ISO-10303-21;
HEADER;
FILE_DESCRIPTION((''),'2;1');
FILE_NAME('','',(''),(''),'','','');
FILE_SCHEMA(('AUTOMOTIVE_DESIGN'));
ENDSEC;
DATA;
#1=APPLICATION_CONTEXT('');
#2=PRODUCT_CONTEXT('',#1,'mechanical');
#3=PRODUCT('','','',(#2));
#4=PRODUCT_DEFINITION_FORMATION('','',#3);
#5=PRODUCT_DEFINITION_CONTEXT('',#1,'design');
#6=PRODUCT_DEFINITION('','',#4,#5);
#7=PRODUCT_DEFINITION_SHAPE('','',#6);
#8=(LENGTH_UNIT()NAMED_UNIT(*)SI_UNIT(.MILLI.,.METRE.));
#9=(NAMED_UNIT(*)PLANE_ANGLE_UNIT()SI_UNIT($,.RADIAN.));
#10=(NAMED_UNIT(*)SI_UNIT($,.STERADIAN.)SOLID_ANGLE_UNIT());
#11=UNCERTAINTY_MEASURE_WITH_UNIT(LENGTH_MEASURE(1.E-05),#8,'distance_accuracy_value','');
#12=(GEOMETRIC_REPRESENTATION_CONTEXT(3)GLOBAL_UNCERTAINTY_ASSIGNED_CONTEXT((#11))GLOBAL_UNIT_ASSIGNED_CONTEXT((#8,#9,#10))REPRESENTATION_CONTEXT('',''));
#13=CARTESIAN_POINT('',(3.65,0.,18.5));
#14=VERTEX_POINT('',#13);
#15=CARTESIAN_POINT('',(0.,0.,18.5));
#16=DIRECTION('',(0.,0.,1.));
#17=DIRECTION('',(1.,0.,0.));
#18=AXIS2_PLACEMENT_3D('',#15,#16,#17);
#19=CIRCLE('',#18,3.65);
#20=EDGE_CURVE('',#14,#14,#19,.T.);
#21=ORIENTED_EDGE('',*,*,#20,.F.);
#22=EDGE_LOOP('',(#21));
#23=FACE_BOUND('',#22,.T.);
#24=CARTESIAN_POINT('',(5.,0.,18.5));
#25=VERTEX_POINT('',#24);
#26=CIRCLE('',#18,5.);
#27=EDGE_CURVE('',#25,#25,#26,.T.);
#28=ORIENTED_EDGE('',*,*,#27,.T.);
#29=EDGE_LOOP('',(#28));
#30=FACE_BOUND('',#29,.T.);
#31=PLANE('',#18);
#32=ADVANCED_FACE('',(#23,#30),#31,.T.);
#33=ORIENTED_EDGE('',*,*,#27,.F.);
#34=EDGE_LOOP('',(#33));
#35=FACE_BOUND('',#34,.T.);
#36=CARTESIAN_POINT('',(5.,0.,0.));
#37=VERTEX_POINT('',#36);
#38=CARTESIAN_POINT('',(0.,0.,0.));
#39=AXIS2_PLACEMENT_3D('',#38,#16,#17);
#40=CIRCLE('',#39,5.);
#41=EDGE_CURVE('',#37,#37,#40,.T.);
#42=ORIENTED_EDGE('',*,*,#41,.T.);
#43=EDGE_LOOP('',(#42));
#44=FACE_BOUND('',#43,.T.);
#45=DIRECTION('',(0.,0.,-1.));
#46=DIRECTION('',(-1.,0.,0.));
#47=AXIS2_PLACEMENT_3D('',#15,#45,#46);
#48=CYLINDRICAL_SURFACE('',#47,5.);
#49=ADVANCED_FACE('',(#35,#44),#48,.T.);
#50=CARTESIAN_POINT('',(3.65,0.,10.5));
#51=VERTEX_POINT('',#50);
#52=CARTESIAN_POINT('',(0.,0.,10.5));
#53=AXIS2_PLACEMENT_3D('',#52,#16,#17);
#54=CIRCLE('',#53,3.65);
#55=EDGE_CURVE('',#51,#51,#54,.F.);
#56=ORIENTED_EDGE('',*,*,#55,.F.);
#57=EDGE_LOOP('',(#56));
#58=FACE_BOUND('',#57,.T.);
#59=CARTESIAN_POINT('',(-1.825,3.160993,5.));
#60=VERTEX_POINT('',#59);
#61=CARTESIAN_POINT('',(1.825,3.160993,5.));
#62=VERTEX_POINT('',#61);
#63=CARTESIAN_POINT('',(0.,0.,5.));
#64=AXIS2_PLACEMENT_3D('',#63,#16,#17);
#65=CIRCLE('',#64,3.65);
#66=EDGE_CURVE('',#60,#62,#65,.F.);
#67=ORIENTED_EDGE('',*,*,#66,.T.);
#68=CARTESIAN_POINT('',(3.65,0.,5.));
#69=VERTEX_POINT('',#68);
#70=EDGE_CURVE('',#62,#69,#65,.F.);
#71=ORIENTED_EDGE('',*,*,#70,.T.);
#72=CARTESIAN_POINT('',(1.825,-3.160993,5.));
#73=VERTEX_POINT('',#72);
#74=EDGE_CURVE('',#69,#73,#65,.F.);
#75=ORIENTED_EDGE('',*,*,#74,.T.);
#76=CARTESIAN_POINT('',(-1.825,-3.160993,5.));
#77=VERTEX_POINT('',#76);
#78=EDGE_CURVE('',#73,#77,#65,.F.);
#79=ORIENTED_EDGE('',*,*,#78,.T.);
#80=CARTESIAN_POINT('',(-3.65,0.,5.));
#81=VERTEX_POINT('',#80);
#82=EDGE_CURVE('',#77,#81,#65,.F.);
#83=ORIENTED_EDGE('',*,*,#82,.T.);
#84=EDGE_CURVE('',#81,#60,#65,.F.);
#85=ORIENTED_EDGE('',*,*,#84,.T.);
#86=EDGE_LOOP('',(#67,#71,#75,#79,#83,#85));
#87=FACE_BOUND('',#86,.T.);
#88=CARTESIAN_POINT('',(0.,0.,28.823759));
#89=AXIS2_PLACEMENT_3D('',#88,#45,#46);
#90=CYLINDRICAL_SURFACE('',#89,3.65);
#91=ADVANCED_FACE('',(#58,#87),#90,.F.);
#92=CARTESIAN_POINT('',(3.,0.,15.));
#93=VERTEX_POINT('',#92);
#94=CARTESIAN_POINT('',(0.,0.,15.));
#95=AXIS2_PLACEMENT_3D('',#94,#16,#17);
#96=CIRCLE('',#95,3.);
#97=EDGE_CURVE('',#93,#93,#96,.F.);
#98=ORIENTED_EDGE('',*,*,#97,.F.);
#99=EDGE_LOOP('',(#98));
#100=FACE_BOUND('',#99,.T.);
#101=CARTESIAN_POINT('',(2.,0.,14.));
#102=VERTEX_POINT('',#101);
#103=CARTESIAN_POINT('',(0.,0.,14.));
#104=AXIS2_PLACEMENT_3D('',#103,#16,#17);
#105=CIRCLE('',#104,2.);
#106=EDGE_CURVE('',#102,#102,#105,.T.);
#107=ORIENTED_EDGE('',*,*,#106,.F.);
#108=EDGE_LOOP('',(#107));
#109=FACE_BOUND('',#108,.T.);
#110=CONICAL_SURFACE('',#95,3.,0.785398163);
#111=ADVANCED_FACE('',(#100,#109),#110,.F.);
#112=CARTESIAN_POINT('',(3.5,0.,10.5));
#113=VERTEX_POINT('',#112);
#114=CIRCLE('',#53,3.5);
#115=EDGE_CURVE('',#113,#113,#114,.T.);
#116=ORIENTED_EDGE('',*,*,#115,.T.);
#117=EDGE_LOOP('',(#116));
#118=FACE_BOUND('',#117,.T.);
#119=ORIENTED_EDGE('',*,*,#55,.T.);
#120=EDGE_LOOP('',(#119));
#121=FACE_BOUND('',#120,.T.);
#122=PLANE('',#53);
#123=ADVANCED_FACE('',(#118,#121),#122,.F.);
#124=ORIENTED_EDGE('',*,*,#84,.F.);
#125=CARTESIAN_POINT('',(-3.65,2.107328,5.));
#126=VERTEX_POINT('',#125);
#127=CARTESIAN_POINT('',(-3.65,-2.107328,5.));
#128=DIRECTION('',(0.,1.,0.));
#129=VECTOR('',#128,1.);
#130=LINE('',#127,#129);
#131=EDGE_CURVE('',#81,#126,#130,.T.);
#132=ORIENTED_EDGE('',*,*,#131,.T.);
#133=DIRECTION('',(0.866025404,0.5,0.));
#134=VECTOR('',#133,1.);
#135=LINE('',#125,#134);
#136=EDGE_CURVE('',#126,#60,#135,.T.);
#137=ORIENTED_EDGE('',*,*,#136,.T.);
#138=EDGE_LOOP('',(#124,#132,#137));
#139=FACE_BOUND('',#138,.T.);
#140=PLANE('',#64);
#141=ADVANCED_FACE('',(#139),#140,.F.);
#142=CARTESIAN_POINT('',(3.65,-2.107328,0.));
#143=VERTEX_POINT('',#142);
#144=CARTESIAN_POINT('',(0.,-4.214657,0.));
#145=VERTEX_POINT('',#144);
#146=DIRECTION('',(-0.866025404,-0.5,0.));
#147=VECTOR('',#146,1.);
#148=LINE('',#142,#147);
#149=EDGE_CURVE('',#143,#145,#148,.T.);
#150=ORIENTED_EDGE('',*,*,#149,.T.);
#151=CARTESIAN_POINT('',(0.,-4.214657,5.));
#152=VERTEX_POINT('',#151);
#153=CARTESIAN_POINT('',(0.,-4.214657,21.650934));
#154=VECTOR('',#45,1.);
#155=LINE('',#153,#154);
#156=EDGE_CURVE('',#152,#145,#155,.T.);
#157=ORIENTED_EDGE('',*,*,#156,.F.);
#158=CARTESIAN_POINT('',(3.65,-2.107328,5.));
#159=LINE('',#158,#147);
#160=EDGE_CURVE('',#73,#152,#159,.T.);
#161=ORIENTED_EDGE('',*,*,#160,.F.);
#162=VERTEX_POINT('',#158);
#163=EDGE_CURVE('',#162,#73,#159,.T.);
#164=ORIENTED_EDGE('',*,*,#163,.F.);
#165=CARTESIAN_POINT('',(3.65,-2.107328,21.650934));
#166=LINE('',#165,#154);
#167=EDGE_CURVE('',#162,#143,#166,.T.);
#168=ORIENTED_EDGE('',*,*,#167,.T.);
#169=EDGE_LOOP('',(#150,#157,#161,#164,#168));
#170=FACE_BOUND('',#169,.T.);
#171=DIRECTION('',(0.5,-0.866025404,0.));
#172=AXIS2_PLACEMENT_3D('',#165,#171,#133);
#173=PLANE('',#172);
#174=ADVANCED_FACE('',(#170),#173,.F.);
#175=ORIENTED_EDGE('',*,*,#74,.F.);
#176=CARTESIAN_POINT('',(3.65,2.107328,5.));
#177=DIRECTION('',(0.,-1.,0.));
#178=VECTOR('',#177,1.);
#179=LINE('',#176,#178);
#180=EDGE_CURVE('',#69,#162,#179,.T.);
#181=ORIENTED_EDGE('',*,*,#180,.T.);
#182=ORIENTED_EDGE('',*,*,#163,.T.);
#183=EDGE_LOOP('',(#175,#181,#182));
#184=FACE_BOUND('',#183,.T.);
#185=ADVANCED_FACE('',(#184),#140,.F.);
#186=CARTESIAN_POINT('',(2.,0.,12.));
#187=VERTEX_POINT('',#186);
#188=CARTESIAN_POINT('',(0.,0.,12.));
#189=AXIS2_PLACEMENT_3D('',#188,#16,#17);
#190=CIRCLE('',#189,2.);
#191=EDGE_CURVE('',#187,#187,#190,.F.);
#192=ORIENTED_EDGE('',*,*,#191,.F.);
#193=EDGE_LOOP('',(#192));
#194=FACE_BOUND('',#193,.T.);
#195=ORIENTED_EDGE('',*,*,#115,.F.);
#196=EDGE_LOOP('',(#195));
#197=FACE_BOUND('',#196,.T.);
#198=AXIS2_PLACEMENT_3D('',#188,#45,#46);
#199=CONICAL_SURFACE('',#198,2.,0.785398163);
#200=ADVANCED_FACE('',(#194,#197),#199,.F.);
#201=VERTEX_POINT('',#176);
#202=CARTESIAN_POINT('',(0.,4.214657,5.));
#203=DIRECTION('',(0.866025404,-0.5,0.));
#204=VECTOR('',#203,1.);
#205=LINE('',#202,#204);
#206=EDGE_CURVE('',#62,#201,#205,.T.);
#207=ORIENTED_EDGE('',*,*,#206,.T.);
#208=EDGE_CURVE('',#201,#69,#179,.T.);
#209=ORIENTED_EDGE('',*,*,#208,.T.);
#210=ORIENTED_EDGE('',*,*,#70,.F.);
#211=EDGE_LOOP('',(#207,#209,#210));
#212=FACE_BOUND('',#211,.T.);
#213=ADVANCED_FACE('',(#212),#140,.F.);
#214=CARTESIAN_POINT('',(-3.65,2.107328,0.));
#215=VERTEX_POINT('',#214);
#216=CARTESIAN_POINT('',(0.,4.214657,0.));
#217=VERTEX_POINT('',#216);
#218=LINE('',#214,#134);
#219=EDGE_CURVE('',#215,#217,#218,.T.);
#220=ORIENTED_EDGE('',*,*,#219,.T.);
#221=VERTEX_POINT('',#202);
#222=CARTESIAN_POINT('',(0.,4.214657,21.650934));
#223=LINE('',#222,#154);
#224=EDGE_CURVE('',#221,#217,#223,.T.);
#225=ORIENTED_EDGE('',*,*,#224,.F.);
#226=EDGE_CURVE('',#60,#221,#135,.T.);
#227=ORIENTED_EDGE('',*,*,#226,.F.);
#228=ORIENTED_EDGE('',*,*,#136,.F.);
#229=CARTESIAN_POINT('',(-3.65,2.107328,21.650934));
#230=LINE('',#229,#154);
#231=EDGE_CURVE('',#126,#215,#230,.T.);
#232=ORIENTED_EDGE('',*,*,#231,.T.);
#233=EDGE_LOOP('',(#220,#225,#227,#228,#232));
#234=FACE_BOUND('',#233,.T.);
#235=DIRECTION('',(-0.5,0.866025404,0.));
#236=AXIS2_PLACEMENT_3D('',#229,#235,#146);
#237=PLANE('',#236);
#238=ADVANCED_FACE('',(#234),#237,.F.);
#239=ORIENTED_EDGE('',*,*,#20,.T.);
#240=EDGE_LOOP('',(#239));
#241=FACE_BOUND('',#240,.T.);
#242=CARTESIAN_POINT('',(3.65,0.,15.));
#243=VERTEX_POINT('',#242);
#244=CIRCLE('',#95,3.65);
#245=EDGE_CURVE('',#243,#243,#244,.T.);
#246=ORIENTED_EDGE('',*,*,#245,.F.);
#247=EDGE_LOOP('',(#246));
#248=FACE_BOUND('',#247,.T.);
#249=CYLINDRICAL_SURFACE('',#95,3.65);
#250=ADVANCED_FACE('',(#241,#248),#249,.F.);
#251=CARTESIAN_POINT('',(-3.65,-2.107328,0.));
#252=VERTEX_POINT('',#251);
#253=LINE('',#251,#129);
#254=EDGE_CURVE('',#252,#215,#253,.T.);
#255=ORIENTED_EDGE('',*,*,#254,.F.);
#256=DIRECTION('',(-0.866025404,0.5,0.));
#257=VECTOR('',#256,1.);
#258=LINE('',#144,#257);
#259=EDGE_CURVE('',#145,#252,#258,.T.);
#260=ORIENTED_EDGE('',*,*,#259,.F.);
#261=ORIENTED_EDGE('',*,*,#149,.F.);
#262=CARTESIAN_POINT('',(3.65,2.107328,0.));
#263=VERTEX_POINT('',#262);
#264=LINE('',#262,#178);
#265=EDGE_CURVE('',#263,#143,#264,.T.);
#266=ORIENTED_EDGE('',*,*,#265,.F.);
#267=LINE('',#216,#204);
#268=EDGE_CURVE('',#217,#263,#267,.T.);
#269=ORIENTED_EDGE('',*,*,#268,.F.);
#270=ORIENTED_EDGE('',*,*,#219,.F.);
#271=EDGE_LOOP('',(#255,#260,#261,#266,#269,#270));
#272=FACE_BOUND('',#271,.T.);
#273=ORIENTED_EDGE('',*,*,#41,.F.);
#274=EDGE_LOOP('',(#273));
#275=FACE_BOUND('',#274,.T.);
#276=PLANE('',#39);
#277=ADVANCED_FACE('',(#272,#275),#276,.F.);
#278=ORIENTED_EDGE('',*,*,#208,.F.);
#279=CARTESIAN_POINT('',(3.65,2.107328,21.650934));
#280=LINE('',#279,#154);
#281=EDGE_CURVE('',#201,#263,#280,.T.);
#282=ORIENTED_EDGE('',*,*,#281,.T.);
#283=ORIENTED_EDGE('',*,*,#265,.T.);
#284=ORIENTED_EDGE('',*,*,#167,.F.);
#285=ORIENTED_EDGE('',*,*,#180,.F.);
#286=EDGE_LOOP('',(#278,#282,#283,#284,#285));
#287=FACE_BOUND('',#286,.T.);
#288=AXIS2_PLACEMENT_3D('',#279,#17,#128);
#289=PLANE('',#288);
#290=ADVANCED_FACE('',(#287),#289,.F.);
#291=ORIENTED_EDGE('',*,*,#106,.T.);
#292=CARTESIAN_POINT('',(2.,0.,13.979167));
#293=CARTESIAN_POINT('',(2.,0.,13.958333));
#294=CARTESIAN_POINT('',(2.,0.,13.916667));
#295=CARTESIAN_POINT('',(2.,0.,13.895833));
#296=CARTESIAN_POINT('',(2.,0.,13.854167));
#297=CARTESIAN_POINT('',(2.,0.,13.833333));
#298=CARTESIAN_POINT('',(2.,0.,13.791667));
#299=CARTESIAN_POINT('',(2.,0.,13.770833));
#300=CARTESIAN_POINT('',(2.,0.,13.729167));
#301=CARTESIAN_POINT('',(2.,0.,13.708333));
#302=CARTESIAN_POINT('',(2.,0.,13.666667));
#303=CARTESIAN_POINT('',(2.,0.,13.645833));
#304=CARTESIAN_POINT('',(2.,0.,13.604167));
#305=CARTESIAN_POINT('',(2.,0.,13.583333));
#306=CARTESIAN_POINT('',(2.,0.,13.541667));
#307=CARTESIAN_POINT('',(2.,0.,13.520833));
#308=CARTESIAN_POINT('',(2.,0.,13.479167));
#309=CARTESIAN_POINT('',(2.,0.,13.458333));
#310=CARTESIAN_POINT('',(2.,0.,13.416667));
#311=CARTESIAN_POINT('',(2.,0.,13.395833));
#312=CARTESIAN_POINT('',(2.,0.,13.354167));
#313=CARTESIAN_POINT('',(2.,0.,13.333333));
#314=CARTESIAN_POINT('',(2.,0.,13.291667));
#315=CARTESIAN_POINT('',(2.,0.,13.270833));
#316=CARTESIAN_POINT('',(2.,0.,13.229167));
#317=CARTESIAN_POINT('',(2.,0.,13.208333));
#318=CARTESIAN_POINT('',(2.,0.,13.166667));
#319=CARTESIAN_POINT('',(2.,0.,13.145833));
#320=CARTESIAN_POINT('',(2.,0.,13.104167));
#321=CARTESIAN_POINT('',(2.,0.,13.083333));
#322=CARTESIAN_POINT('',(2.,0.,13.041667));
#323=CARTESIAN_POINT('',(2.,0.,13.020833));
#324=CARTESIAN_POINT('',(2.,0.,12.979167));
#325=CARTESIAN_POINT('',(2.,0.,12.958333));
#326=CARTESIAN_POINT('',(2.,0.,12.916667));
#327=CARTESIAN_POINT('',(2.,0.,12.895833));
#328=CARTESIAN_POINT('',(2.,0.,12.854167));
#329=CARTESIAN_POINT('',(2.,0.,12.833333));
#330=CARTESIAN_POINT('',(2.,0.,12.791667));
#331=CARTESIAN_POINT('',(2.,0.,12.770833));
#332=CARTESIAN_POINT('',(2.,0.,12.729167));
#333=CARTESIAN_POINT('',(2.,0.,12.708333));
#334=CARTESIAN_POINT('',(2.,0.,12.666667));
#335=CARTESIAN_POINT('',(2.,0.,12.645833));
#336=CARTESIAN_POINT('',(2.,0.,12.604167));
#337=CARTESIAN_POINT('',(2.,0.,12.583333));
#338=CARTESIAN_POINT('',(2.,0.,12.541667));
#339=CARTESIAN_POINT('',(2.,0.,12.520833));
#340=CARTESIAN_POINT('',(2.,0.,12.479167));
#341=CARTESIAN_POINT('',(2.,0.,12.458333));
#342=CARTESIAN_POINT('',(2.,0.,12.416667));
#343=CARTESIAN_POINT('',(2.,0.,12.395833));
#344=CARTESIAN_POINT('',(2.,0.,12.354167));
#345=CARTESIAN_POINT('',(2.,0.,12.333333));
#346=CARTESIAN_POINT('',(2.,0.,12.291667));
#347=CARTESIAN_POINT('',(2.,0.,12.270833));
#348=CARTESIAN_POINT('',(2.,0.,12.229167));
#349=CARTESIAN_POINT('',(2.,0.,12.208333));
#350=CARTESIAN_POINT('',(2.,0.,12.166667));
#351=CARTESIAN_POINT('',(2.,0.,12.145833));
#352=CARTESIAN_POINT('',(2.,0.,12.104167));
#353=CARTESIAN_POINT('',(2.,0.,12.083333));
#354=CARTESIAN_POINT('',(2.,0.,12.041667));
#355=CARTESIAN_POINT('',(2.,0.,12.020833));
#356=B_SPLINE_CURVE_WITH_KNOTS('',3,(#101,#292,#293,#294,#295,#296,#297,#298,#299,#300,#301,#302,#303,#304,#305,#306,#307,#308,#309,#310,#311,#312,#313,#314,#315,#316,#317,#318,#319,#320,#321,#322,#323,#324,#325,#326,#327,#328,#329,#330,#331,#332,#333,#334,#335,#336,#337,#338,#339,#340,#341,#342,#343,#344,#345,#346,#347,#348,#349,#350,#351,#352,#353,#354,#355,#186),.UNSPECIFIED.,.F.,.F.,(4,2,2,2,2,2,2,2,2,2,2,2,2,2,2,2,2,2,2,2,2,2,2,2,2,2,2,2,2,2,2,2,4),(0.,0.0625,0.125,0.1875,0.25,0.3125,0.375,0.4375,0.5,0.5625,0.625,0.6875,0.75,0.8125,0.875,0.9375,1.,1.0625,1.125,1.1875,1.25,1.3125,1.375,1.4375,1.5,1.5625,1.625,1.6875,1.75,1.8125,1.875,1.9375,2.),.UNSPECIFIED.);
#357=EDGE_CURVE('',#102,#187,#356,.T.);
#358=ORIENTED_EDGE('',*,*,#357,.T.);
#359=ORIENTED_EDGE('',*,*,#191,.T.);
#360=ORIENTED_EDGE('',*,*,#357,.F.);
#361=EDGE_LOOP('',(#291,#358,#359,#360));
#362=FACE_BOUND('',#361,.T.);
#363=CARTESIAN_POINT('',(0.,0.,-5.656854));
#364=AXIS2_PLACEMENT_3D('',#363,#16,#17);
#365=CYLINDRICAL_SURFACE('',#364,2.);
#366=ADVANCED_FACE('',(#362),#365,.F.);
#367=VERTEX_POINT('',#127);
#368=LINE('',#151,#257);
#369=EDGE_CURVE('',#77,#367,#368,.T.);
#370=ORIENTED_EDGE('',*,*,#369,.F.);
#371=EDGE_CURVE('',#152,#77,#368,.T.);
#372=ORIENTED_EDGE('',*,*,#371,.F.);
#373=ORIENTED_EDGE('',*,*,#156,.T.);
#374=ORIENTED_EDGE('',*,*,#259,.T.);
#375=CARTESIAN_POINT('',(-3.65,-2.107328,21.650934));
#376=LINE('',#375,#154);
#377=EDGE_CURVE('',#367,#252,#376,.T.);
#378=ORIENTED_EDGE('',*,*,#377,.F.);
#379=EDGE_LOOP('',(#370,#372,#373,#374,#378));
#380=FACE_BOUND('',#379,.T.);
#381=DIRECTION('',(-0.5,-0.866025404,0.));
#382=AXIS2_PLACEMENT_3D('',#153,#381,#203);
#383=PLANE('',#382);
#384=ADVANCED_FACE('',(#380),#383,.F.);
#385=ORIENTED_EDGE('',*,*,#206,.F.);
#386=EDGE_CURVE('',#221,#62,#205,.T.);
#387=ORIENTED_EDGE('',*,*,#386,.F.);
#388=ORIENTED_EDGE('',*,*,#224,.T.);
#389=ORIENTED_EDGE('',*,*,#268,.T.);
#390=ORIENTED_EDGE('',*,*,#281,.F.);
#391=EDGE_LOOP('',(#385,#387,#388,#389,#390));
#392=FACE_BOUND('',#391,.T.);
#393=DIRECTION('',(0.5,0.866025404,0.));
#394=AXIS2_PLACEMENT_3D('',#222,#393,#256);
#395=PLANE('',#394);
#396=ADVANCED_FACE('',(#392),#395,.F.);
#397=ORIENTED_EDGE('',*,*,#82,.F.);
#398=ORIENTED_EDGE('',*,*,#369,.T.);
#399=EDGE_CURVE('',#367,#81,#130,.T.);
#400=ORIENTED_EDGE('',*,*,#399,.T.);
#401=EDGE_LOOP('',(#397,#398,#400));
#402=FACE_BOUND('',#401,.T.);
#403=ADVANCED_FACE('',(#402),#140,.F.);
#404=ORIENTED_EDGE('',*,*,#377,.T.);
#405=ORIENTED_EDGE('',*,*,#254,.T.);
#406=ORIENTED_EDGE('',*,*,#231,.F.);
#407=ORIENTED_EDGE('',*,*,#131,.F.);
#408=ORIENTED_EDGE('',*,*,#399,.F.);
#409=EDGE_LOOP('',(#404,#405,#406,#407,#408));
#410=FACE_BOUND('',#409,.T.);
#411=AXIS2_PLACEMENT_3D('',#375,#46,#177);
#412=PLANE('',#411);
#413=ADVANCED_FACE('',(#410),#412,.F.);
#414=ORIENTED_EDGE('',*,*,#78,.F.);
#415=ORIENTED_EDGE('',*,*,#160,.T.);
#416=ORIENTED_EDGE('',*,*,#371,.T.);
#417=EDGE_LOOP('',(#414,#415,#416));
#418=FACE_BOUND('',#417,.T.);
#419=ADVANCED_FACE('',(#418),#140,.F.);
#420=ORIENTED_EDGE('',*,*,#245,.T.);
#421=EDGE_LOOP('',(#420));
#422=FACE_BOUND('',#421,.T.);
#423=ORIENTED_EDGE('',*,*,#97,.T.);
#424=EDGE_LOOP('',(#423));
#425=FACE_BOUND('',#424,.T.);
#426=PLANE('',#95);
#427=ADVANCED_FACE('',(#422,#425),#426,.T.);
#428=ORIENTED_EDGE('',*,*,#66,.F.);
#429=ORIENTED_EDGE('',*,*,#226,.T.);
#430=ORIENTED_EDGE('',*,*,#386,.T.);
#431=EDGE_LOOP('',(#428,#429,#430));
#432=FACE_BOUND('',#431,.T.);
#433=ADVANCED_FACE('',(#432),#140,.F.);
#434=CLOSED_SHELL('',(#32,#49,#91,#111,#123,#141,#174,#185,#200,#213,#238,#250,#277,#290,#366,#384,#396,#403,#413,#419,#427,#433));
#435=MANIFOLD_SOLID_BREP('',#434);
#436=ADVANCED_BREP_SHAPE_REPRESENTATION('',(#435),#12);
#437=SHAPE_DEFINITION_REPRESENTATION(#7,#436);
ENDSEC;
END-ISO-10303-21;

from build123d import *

# Parameters (mm, degrees)
SKETCH1_R           = 5
BOSS_EXTRUDE1_DEPTH = 18.5
SKETCH2_R           = 2
CUT_EXTRUDE1_DEPTH  = 18.5
SKETCH3_R           = 3.65
CUT_EXTRUDE2_DEPTH  = 3.5
CUT_EXTRUDE3_START  = -10.5
SKETCH4_R           = 3.65
CUT_EXTRUDE3_DEPTH  = 10.5
CHAMFER1_SIZE       = 1.5
CHAMFER2_SIZE       = 1
CUT_EXTRUDE4_DEPTH  = 5


with BuildPart() as part:
    # Sketch1 → Boss-Extrude1 (new body)
    with BuildSketch(Plane.XY):
        Circle(SKETCH1_R)
    extrude(amount=BOSS_EXTRUDE1_DEPTH)

    # Sketch2 → Cut-Extrude1 (cut)
    with BuildSketch(Plane.XY.offset(18.5)):
        Circle(SKETCH2_R)
    extrude(amount=-CUT_EXTRUDE1_DEPTH, mode=Mode.SUBTRACT)

    # Sketch3 → Cut-Extrude2 (cut)
    with BuildSketch(Plane.XY.offset(18.5)):
        Circle(SKETCH3_R)
    extrude(amount=-CUT_EXTRUDE2_DEPTH, mode=Mode.SUBTRACT)

    # Sketch4 → Cut-Extrude3 (cut)
    with BuildSketch(Plane(origin=(0, 0, 0), x_dir=(-1, 0, 0), z_dir=(0, 0, -1)).offset(CUT_EXTRUDE3_START)):
        with Locations(Location((0, 0, 0), (0, 0, 180))):
            Circle(SKETCH4_R)
    extrude(amount=CUT_EXTRUDE3_DEPTH, mode=Mode.SUBTRACT)

    # Chamfer1
    chamfer1_edges = [part.edges().sort_by_distance(p)[0] for p in [
        (-2, 0, 10.5),
    ]]
    chamfer(chamfer1_edges, length=CHAMFER1_SIZE)

    # Chamfer2
    chamfer2_edges = [part.edges().sort_by_distance(p)[0] for p in [
        (-2, 0, 15),
    ]]
    chamfer(chamfer2_edges, length=CHAMFER2_SIZE)

    # Sketch5 → Cut-Extrude4 (cut)
    with BuildSketch(Plane(origin=(0, 0, 0), x_dir=(-1, 0, 0), z_dir=(0, 0, -1))):
        Polygon((0, 4.214656965), (-3.65, 2.107328483), (-3.65, -2.107328483), (0, -4.214656965), (3.65, -2.107328483), (3.65, 2.107328483), align=None)
    extrude(amount=-CUT_EXTRUDE4_DEPTH, mode=Mode.SUBTRACT)


solid = part.part
